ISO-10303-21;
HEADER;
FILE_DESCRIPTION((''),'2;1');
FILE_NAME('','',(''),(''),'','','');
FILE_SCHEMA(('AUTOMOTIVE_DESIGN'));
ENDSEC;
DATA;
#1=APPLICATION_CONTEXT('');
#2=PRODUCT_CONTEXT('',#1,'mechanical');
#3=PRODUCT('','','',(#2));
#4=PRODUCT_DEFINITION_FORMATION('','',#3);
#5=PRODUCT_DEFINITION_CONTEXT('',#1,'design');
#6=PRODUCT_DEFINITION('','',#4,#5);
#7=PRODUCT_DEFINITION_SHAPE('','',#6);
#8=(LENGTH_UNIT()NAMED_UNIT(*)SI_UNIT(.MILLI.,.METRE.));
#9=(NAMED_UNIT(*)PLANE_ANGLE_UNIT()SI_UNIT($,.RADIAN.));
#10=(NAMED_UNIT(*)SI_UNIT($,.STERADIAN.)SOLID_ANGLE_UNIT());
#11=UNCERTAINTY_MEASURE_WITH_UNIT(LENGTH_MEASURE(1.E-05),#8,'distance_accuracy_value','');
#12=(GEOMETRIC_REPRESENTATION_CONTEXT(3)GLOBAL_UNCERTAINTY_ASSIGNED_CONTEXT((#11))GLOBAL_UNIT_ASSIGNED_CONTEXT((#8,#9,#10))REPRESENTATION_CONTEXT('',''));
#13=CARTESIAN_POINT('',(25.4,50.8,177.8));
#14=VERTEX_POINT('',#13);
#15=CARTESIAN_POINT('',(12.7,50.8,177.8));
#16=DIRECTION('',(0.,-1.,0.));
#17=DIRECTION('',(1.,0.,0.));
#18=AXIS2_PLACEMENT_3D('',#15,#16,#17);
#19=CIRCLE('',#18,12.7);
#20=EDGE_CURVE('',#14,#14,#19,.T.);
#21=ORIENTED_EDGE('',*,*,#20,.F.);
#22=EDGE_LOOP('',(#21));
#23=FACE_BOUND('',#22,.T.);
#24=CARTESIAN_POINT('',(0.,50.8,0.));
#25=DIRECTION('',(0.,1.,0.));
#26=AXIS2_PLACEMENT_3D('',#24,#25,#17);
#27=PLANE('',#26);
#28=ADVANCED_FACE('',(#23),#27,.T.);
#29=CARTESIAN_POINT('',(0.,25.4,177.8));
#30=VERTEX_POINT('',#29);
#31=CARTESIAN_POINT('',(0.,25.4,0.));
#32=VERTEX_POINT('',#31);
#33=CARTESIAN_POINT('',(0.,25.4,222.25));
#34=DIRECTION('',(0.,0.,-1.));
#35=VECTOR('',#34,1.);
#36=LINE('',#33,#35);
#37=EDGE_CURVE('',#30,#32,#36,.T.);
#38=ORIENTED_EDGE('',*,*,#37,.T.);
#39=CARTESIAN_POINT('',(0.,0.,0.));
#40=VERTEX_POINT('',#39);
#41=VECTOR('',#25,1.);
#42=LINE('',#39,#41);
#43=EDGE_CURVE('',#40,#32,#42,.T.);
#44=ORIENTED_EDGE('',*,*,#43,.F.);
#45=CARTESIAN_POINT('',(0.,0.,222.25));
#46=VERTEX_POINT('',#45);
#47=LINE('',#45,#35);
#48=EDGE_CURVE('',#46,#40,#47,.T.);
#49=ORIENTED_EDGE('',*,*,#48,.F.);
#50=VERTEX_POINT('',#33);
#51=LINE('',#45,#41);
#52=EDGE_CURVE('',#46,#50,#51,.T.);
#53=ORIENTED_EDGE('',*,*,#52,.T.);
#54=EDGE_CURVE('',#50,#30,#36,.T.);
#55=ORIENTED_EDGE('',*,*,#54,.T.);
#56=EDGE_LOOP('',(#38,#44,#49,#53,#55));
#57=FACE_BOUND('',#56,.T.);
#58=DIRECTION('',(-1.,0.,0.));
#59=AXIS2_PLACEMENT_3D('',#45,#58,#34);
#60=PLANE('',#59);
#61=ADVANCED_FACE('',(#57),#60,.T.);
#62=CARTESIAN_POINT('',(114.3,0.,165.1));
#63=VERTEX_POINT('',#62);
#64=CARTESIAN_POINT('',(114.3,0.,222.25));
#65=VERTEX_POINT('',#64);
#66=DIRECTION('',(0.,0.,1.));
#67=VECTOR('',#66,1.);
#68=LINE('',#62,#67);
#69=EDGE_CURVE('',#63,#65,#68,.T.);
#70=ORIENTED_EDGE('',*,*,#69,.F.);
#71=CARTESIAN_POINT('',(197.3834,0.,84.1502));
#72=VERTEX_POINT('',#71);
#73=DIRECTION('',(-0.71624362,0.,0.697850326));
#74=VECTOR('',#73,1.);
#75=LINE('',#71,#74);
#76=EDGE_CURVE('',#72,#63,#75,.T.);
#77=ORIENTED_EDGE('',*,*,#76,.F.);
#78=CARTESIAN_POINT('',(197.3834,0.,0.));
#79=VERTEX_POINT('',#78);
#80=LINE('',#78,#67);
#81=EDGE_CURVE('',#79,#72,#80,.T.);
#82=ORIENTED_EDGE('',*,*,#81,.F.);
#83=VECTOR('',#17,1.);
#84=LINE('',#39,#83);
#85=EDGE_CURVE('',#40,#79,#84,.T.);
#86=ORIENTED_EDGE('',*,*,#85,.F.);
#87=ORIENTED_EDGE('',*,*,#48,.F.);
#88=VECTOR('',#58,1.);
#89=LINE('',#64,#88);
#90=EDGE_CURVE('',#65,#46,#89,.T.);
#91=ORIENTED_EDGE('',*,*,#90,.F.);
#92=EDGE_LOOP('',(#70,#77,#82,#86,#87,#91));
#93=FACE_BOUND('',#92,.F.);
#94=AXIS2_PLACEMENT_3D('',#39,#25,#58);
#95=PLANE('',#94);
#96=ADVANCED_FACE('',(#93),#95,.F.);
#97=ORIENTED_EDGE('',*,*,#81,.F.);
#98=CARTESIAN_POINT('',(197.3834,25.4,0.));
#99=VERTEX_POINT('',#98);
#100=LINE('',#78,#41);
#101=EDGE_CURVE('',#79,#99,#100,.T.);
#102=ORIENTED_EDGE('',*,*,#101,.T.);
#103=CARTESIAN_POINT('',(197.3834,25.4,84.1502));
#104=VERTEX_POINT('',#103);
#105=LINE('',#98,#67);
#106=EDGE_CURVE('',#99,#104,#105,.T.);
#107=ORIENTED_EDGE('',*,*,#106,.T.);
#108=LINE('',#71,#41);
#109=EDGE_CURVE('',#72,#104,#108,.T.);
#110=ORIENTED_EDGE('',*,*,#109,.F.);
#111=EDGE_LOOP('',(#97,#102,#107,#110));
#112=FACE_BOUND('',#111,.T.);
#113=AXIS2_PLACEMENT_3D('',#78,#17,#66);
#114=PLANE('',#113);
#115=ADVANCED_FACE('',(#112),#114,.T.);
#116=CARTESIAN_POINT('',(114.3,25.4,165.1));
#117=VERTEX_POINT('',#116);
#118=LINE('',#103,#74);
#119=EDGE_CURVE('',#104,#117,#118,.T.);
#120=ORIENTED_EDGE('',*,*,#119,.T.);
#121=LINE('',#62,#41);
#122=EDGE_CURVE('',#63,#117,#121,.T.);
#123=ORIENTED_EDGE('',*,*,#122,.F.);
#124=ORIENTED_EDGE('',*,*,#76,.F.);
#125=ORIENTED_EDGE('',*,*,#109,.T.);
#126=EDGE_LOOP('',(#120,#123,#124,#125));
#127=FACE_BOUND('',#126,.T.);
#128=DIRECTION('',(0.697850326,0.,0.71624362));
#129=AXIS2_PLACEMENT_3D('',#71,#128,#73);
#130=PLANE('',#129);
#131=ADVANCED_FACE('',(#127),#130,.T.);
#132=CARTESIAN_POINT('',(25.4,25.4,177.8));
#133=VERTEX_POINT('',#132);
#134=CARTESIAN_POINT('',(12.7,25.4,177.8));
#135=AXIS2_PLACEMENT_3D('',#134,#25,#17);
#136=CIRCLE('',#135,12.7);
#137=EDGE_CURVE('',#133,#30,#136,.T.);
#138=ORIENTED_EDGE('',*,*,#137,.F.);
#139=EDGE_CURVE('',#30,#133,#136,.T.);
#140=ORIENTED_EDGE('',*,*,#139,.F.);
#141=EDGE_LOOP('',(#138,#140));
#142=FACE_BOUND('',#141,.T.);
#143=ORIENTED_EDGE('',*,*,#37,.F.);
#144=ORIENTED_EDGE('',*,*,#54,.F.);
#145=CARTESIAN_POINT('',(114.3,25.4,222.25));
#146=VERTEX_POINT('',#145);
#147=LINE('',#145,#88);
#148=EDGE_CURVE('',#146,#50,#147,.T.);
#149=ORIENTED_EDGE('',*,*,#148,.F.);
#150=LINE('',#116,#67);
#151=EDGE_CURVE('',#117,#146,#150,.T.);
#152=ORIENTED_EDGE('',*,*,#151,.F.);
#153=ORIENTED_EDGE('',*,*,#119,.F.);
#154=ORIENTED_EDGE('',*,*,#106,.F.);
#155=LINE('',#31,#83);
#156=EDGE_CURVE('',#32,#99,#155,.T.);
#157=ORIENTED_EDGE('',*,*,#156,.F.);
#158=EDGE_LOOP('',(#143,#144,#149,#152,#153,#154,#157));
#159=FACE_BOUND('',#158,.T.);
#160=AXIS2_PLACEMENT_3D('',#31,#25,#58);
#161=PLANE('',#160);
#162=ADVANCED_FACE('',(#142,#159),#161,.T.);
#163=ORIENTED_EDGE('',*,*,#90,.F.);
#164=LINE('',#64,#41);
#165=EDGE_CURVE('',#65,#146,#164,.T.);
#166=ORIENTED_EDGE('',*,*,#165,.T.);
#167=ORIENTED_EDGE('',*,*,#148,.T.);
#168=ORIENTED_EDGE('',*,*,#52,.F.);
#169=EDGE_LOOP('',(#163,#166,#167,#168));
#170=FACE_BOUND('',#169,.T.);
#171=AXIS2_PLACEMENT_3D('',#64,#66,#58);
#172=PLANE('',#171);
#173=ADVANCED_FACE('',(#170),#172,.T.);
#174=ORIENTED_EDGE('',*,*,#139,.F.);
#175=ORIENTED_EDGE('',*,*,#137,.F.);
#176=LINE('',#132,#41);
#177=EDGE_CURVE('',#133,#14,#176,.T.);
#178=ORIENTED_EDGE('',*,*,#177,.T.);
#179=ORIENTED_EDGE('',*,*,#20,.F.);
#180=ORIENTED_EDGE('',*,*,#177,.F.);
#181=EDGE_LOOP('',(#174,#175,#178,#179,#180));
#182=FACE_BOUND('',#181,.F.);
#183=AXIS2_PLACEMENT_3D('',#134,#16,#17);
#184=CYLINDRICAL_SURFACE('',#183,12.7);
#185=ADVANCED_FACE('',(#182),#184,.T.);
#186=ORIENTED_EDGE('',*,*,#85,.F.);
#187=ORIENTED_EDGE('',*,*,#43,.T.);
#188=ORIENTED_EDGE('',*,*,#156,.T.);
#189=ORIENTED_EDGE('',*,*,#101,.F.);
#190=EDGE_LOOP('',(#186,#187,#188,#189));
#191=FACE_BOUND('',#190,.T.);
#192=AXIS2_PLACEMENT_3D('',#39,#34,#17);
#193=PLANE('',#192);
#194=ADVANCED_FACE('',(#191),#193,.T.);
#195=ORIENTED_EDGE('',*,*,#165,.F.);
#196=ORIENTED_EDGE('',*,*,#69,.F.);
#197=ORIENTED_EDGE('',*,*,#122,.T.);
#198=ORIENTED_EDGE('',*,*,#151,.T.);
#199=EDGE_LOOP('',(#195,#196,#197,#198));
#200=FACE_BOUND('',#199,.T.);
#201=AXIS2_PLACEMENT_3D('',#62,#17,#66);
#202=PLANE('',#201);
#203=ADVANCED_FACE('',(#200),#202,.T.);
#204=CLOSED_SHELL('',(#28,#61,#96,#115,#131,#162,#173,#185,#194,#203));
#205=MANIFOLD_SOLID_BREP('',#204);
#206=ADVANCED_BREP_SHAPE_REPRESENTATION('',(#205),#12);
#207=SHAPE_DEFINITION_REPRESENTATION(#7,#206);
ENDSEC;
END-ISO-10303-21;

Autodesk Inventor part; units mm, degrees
ref_plane "YZ Plane" through (0, 0, 0) normal (1, 0, 0) x (0, 1, 0)
ref_plane "XZ Plane" through (0, 0, 0) normal (0, 1, 0) x (-1, 0, 0)
ref_plane "XY Plane" through (0, 0, 0) normal (0, 0, 1) x (1, 0, 0)
sketch "Sketch1" plane through (0, 0, 0) normal (0, 1, 0) x (-1, 0, 0)
  line L0 (0, 0) -> (-197.3834, 0)
  line L1 (-197.3834, 0) -> (-197.3834, 84.1502)
  line L2 (-197.3834, 84.1502) -> (-114.3, 165.1)
  line L3 (-114.3, 165.1) -> (-114.3, 222.25)
  line L4 (-114.3, 222.25) -> (0, 222.25)
  line L5 (0, 222.25) -> (0, 0)
  dimension "d9" = 197.3834
  dimension "d10" = 222.25
  dimension "d11" = 84.1502
  dimension "d12" = 114.3
  dimension "d13" = 57.15
extrude "Extrusion1" add sketch "Sketch1" along normal blind 25.4
sketch "Sketch2" plane through (0, 25.4, 0) normal (0, 1, 0) x (1, 0, 0)
  circle A0 centre (12.7, -177.8) radius 12.7
  line L0 (0, -222.25) -> (114.3, -222.25) projected
  line L1 (0, 0) -> (0, -222.25) projected
  dimension "d14" = 44.45
  dimension "d15" = 25.4
  dimension "d16" = 12.7
extrude "Extrusion2" add sketch "Sketch2" along normal blind 25.4
properties part number "handmove"
